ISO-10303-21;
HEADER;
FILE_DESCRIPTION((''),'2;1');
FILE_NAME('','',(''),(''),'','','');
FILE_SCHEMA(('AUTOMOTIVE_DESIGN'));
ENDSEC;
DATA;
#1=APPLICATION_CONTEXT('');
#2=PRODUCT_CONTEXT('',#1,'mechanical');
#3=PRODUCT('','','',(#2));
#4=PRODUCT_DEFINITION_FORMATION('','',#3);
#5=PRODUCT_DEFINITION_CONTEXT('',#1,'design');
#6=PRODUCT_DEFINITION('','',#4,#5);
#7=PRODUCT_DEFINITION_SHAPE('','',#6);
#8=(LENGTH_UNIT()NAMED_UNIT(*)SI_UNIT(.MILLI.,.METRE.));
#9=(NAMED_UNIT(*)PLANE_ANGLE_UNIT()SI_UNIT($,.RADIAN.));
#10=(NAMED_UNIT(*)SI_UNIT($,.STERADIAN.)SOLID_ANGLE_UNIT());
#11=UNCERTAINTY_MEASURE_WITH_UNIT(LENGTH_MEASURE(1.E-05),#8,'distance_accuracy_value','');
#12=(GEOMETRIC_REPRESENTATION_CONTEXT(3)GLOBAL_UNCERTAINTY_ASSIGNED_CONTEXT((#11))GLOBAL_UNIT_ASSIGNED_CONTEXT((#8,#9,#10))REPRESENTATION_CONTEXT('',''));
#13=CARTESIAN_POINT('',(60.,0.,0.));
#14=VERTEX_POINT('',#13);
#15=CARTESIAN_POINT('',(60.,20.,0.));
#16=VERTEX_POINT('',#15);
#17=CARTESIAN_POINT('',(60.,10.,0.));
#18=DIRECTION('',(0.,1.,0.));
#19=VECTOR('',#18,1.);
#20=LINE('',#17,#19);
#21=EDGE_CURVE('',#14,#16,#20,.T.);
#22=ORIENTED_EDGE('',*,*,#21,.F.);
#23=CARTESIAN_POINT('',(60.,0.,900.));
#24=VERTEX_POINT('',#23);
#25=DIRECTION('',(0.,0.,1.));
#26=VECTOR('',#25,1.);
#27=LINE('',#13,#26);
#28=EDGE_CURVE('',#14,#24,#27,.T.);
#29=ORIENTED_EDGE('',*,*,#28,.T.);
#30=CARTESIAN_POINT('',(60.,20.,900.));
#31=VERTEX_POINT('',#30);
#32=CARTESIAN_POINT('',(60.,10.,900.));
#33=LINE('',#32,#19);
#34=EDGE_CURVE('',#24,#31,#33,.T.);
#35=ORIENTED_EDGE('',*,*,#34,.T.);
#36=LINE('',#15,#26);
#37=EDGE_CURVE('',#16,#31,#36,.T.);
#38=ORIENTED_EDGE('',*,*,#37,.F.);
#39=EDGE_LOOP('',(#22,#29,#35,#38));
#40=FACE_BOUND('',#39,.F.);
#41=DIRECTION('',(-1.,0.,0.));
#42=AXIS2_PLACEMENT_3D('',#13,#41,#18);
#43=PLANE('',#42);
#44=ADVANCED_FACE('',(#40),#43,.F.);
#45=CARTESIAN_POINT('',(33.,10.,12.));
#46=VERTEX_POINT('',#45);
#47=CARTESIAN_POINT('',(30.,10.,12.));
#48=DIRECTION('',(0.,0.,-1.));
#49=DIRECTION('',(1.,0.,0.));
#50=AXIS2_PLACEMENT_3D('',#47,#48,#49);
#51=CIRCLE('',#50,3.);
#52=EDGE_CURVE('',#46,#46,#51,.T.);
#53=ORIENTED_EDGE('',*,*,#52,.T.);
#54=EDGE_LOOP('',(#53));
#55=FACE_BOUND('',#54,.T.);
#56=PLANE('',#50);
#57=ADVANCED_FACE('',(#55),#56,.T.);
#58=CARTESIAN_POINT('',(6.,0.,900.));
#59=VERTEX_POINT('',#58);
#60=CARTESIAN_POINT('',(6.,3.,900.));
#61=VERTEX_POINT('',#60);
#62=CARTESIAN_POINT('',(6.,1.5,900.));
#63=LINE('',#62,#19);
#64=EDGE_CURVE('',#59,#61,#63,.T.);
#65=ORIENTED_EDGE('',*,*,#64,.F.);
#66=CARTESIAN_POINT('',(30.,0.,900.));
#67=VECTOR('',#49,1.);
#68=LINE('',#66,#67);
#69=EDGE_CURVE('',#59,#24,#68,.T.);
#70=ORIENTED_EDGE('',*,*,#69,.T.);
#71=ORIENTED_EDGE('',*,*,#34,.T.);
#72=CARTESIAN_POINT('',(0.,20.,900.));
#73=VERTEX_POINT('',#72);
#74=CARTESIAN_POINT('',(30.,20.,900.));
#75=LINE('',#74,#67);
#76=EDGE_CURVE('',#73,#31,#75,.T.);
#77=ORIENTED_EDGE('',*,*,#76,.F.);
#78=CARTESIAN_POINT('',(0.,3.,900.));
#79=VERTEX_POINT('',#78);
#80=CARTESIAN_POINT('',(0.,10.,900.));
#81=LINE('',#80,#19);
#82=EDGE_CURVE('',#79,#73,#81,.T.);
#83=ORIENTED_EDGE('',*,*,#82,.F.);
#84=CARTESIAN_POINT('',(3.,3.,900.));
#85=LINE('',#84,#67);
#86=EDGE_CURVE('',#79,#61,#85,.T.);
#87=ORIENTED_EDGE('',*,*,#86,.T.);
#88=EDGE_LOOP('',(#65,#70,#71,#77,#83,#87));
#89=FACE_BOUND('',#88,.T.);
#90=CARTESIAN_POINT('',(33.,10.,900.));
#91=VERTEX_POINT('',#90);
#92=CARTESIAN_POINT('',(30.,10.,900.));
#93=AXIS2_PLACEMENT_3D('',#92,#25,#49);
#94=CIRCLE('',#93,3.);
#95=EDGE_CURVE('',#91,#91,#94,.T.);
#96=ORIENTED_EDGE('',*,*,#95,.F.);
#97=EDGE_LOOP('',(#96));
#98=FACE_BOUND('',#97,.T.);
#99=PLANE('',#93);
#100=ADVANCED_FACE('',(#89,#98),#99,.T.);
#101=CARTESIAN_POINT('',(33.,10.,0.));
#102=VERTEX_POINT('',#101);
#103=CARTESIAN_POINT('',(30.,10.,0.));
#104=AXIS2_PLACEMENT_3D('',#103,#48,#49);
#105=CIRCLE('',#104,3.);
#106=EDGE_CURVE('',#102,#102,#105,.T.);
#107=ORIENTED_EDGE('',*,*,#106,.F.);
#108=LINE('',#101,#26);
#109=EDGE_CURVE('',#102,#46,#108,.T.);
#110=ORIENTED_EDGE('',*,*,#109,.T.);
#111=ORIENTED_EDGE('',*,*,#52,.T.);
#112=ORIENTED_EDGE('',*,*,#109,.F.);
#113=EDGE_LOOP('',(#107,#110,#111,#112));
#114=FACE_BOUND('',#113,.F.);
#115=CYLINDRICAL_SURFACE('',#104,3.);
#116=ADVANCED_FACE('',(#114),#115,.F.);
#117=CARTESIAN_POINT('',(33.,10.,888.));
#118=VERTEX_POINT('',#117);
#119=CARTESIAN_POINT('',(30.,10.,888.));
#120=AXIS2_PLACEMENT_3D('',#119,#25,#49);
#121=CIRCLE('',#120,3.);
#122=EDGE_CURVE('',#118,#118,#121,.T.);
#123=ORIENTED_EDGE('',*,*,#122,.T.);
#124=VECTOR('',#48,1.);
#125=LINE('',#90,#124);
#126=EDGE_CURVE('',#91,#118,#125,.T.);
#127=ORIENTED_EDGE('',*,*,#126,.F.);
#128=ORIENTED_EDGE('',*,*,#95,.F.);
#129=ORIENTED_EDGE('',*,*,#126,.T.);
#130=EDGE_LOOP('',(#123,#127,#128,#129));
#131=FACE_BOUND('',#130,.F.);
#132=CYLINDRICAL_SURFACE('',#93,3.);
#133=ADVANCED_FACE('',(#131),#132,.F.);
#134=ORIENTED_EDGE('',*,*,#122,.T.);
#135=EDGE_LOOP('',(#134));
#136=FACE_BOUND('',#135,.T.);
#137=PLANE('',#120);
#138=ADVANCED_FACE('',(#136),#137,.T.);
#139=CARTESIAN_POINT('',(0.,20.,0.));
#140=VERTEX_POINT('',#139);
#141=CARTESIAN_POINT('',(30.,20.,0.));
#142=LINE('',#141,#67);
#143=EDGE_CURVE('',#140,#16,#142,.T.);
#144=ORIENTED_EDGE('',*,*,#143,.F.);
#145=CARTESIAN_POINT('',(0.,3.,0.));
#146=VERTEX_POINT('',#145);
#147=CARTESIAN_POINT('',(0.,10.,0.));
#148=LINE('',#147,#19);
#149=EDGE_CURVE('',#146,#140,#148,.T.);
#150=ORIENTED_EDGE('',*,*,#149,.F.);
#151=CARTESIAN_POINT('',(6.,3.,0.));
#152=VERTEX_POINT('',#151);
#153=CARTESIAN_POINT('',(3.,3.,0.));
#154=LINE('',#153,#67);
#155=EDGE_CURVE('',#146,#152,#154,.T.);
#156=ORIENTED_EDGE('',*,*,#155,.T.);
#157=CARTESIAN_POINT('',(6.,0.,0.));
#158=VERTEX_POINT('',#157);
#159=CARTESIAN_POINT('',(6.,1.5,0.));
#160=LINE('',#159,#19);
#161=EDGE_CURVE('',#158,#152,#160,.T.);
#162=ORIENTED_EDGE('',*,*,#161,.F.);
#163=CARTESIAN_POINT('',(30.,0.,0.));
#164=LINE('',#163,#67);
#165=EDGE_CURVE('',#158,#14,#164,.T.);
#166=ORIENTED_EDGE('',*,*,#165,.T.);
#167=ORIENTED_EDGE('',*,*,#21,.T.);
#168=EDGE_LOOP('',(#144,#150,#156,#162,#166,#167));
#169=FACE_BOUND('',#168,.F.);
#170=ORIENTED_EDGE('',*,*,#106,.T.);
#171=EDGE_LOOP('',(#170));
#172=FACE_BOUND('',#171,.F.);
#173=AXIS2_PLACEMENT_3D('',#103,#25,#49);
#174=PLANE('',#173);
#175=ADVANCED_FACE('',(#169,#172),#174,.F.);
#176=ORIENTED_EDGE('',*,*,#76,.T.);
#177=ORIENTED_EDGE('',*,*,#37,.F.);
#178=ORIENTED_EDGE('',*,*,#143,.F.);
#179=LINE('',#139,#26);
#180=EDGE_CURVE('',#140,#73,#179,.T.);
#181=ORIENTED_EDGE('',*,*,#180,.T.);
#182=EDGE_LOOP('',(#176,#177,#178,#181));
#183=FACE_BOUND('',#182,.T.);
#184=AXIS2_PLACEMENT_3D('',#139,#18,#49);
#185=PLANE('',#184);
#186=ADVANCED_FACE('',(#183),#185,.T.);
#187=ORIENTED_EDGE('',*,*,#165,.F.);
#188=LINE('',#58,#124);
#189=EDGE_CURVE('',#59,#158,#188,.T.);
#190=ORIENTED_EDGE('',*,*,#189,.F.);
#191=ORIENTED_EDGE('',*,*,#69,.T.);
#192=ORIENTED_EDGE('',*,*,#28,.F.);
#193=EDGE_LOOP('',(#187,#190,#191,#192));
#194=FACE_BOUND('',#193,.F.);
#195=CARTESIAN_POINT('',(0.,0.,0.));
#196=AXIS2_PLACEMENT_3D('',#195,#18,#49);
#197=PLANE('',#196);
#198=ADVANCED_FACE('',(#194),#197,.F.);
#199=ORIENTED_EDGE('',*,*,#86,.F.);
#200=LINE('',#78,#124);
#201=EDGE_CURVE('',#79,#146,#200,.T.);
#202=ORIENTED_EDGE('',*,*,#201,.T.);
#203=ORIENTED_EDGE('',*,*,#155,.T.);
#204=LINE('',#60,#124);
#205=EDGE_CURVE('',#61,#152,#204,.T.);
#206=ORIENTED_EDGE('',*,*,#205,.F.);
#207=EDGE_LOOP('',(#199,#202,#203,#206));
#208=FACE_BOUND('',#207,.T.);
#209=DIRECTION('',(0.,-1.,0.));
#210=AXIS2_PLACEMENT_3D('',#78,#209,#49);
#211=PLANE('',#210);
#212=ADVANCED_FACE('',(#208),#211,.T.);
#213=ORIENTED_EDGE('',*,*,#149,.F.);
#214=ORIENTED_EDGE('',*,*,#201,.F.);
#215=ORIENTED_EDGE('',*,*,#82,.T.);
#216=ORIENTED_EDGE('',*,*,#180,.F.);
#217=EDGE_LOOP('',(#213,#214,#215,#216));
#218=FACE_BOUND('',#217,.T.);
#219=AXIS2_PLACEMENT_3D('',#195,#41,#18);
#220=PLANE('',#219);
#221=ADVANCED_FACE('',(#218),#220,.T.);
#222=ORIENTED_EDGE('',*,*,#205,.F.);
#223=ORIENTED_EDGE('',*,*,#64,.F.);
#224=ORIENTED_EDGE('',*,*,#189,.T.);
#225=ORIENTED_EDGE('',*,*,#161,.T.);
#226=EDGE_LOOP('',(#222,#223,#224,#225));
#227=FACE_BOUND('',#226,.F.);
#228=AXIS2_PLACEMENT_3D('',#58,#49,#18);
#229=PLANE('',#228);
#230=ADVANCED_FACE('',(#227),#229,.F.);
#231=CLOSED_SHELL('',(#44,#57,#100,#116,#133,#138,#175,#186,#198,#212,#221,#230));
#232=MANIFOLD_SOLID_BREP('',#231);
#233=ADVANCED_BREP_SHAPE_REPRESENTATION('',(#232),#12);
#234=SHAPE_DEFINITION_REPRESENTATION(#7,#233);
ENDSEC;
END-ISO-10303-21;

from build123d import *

# Parameters (mm, degrees)
F0_W     = 60
F0_H     = 20
F1_DEPTH = 900
F3_R     = 3
F4_DEPTH = 12
F5_R     = 3
F6_DEPTH = 12
F7_W     = 6
F7_H     = 3
F8_DEPTH = 900


with BuildPart() as f1:
    # F0 (on Top) → F1 (new body)
    with BuildSketch(Plane.XY):
        with Locations((30, 10)):
            Rectangle(F0_W, F0_H)
    extrude(amount=F1_DEPTH)

    # F3 (on face) → F4 (cut)
    with BuildSketch(Plane(origin=(0, 0, 0), x_dir=(1, 0, 0), z_dir=(0, 0, -1))):
        with Locations((30, -10)):
            Circle(F3_R)
    extrude(amount=-F4_DEPTH, mode=Mode.SUBTRACT)

    # F5 (on face) → F6 (cut)
    with BuildSketch(Plane.XY.offset(900)):
        with Locations((30, 10)):
            Circle(F5_R)
    extrude(amount=-F6_DEPTH, mode=Mode.SUBTRACT)

    # F7 (on face) → F8 (cut)
    with BuildSketch(Plane.XY.offset(900)):
        with Locations((3, 1.5)):
            Rectangle(F7_W, F7_H)
    extrude(amount=-F8_DEPTH, mode=Mode.SUBTRACT)


solid = f1.part
